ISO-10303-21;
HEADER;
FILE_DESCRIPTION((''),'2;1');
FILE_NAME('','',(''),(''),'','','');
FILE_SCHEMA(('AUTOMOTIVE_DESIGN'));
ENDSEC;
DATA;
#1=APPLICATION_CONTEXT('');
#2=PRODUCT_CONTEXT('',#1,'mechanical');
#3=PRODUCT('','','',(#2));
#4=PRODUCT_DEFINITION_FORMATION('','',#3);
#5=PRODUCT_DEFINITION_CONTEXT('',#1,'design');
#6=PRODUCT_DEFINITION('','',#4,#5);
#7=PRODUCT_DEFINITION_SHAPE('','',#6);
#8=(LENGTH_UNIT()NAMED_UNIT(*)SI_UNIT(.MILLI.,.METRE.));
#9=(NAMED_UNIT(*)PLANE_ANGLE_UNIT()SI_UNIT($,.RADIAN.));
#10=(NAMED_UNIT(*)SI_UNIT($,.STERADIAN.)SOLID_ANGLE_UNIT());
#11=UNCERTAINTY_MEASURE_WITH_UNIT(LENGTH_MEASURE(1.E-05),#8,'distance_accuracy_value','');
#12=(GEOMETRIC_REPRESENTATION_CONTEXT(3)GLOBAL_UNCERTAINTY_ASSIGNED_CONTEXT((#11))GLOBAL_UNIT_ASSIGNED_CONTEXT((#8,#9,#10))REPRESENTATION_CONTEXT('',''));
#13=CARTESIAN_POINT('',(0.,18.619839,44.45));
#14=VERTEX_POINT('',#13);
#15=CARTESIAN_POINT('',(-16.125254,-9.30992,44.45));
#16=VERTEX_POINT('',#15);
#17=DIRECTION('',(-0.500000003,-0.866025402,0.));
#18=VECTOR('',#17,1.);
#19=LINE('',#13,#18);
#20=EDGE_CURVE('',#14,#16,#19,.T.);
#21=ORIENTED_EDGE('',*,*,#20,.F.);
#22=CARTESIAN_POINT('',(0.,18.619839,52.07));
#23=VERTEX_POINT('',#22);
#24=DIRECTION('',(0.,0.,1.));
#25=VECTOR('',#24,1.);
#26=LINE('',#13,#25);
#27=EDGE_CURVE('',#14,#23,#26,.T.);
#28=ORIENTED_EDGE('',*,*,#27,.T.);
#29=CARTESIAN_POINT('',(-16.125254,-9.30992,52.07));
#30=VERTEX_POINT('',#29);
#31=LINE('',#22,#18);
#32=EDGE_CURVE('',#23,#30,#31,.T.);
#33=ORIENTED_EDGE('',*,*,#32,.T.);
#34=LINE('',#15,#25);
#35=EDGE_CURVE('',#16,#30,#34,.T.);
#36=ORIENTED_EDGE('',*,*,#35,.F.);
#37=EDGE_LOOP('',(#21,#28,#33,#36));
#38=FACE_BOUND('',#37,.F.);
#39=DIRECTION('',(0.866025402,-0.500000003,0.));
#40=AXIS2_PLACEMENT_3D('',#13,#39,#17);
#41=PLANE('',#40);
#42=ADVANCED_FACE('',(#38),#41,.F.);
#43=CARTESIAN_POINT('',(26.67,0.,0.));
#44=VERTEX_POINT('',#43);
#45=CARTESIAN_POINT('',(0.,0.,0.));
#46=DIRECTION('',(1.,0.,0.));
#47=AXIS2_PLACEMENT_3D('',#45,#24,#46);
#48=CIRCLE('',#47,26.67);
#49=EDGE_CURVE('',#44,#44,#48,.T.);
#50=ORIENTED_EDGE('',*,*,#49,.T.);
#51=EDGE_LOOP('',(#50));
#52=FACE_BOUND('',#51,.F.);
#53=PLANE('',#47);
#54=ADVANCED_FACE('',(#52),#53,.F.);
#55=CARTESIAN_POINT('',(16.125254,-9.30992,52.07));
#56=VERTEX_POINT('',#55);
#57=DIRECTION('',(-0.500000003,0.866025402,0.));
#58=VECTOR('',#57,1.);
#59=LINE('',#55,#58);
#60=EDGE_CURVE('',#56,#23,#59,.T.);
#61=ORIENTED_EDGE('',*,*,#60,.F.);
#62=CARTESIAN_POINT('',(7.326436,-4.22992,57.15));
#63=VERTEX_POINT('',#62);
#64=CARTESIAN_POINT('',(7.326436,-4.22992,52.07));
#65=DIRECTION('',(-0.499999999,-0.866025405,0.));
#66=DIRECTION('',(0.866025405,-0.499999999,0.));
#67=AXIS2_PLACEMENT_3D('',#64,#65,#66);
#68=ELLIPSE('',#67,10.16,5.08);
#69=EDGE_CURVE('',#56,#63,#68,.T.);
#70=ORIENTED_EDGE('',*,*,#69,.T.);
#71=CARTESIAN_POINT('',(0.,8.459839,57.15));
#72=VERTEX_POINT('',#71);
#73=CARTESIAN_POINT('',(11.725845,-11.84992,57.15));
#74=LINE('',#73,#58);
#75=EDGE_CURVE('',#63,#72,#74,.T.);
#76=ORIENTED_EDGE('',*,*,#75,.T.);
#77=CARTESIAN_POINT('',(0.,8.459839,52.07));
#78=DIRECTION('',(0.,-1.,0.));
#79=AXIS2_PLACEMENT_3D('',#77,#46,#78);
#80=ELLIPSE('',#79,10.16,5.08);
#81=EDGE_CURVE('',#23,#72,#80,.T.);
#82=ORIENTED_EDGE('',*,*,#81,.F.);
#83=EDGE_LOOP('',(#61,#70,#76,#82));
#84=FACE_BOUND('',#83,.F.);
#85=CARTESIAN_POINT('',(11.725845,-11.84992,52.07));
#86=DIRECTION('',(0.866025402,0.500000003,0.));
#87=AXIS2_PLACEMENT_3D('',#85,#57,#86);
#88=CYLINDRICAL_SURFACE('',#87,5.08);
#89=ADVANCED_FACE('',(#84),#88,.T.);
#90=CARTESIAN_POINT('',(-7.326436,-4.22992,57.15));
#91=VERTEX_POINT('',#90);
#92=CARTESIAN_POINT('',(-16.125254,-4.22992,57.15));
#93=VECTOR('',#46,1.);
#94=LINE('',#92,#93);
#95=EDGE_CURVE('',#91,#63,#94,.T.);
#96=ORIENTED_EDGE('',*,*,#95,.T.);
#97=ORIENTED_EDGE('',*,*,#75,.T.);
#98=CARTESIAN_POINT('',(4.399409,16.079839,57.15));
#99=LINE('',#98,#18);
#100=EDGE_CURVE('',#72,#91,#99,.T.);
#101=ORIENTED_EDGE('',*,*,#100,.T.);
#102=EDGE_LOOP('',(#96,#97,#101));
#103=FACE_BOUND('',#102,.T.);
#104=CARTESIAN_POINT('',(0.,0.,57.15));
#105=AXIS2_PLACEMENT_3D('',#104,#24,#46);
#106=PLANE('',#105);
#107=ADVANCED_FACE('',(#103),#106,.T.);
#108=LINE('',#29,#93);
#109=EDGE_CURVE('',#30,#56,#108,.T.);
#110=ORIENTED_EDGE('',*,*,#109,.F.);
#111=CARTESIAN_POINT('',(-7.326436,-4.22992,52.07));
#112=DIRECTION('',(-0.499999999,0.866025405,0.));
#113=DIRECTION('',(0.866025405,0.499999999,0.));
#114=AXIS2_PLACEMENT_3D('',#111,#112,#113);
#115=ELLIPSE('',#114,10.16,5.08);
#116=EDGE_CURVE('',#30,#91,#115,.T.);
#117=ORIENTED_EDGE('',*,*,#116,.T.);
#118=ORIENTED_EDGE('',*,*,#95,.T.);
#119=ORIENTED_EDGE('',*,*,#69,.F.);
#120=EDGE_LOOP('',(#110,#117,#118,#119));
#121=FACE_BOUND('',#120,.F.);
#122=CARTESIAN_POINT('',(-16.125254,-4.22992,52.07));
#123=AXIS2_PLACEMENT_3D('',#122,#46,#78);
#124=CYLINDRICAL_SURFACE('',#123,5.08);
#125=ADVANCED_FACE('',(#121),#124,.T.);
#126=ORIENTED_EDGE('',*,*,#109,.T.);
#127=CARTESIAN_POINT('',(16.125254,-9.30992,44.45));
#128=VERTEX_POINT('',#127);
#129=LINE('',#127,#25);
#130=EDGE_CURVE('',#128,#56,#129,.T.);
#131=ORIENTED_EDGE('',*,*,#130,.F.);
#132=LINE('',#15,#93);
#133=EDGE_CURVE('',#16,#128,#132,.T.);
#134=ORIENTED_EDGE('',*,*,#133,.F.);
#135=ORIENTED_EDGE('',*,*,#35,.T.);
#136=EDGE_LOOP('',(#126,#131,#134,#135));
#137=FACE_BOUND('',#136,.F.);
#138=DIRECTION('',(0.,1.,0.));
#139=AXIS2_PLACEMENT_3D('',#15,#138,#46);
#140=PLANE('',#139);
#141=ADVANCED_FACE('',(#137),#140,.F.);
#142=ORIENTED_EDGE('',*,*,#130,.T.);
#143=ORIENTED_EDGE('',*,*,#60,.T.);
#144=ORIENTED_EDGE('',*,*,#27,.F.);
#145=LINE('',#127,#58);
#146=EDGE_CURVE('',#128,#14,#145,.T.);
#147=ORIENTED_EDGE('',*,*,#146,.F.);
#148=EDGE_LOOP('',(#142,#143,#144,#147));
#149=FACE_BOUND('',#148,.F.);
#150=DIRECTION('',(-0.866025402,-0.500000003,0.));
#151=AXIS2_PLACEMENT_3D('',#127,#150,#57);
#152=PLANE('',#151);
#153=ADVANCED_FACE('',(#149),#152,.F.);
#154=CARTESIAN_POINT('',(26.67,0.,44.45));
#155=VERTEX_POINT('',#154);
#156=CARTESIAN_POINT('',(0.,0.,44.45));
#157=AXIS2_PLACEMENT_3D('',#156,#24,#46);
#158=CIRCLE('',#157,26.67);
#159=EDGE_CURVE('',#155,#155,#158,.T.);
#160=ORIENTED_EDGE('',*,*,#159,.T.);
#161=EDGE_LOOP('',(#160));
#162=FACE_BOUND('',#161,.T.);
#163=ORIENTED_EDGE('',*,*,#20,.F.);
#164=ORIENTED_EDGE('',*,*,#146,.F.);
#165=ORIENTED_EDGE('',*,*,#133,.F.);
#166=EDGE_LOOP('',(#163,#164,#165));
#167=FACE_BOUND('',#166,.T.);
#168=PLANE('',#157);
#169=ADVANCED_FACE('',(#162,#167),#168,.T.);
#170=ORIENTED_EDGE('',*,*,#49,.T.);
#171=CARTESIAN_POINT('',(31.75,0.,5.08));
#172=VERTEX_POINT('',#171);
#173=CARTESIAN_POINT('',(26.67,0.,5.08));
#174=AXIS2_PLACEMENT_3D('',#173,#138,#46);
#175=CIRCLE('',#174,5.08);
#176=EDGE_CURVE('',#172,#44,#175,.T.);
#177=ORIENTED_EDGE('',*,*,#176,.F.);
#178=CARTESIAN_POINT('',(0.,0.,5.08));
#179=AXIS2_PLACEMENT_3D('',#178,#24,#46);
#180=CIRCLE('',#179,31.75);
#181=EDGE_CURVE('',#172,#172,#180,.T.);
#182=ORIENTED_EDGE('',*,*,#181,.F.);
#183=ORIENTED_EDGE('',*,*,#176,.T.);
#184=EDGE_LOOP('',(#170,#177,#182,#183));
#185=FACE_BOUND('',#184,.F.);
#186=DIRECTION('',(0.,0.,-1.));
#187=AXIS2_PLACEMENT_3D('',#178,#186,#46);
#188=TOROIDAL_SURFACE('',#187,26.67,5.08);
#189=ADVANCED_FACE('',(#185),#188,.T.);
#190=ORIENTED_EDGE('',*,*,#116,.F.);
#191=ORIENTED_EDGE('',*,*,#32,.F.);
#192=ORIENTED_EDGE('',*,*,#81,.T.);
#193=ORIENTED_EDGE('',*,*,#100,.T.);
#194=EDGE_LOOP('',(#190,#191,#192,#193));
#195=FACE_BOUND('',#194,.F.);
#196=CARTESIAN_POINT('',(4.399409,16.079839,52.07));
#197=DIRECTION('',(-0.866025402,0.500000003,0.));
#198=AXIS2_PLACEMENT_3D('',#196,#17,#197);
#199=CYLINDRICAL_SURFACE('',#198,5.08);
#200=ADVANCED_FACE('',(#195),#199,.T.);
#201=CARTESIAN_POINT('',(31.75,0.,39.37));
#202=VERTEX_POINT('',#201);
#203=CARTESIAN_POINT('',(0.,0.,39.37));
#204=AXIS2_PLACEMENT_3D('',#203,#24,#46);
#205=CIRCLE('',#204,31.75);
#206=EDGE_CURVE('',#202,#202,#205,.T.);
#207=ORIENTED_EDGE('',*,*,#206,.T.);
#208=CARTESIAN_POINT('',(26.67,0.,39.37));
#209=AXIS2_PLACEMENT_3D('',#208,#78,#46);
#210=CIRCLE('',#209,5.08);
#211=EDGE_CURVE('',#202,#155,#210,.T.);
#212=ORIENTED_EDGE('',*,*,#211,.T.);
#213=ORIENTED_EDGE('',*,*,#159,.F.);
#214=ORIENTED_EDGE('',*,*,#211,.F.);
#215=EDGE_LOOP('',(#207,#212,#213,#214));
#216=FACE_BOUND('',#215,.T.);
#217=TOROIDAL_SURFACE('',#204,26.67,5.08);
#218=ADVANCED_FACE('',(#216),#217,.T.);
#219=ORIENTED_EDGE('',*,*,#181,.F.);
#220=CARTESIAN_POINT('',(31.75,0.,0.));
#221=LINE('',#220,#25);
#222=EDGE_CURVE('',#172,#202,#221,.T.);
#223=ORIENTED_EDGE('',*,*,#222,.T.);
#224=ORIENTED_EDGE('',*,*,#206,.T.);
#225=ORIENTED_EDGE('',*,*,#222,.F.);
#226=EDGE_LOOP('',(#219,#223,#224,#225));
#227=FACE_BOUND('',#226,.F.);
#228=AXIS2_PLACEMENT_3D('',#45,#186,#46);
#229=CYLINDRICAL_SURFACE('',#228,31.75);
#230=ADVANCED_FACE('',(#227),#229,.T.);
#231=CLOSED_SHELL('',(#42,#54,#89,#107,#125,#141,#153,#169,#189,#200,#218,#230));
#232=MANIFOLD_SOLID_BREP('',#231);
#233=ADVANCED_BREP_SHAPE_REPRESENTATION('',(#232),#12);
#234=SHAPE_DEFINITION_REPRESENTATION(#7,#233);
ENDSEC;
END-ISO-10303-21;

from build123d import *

# Parameters (mm, degrees)
F0_R     = 31.75
F1_DEPTH = 44.45
F3_DEPTH = 12.7
F4_R     = 5.08


with BuildPart() as f1:
    # F0 (on Top) → F1 (new body)
    with BuildSketch(Plane.XY):
        Circle(F0_R)
    extrude(amount=F1_DEPTH)

    # F2 (on face) → F3 (join)
    with BuildSketch(Plane.XY.offset(44.45)):
        Polygon((-16.125254, -9.30992), (16.125254, -9.30992), (0, 18.619839), align=None)
    extrude(amount=F3_DEPTH)

    # F4
    f4_edges = [f1.edges().sort_by_distance(p)[0] for p in [
        (-31.75, 0, 0),
        (-31.75, 0, 44.45),
        (0, -9.30992, 57.15),
        (-8.062627, 4.65496, 57.15),
        (8.062627, 4.65496, 57.15),
    ]]
    fillet(f4_edges, radius=F4_R)


solid = f1.part
